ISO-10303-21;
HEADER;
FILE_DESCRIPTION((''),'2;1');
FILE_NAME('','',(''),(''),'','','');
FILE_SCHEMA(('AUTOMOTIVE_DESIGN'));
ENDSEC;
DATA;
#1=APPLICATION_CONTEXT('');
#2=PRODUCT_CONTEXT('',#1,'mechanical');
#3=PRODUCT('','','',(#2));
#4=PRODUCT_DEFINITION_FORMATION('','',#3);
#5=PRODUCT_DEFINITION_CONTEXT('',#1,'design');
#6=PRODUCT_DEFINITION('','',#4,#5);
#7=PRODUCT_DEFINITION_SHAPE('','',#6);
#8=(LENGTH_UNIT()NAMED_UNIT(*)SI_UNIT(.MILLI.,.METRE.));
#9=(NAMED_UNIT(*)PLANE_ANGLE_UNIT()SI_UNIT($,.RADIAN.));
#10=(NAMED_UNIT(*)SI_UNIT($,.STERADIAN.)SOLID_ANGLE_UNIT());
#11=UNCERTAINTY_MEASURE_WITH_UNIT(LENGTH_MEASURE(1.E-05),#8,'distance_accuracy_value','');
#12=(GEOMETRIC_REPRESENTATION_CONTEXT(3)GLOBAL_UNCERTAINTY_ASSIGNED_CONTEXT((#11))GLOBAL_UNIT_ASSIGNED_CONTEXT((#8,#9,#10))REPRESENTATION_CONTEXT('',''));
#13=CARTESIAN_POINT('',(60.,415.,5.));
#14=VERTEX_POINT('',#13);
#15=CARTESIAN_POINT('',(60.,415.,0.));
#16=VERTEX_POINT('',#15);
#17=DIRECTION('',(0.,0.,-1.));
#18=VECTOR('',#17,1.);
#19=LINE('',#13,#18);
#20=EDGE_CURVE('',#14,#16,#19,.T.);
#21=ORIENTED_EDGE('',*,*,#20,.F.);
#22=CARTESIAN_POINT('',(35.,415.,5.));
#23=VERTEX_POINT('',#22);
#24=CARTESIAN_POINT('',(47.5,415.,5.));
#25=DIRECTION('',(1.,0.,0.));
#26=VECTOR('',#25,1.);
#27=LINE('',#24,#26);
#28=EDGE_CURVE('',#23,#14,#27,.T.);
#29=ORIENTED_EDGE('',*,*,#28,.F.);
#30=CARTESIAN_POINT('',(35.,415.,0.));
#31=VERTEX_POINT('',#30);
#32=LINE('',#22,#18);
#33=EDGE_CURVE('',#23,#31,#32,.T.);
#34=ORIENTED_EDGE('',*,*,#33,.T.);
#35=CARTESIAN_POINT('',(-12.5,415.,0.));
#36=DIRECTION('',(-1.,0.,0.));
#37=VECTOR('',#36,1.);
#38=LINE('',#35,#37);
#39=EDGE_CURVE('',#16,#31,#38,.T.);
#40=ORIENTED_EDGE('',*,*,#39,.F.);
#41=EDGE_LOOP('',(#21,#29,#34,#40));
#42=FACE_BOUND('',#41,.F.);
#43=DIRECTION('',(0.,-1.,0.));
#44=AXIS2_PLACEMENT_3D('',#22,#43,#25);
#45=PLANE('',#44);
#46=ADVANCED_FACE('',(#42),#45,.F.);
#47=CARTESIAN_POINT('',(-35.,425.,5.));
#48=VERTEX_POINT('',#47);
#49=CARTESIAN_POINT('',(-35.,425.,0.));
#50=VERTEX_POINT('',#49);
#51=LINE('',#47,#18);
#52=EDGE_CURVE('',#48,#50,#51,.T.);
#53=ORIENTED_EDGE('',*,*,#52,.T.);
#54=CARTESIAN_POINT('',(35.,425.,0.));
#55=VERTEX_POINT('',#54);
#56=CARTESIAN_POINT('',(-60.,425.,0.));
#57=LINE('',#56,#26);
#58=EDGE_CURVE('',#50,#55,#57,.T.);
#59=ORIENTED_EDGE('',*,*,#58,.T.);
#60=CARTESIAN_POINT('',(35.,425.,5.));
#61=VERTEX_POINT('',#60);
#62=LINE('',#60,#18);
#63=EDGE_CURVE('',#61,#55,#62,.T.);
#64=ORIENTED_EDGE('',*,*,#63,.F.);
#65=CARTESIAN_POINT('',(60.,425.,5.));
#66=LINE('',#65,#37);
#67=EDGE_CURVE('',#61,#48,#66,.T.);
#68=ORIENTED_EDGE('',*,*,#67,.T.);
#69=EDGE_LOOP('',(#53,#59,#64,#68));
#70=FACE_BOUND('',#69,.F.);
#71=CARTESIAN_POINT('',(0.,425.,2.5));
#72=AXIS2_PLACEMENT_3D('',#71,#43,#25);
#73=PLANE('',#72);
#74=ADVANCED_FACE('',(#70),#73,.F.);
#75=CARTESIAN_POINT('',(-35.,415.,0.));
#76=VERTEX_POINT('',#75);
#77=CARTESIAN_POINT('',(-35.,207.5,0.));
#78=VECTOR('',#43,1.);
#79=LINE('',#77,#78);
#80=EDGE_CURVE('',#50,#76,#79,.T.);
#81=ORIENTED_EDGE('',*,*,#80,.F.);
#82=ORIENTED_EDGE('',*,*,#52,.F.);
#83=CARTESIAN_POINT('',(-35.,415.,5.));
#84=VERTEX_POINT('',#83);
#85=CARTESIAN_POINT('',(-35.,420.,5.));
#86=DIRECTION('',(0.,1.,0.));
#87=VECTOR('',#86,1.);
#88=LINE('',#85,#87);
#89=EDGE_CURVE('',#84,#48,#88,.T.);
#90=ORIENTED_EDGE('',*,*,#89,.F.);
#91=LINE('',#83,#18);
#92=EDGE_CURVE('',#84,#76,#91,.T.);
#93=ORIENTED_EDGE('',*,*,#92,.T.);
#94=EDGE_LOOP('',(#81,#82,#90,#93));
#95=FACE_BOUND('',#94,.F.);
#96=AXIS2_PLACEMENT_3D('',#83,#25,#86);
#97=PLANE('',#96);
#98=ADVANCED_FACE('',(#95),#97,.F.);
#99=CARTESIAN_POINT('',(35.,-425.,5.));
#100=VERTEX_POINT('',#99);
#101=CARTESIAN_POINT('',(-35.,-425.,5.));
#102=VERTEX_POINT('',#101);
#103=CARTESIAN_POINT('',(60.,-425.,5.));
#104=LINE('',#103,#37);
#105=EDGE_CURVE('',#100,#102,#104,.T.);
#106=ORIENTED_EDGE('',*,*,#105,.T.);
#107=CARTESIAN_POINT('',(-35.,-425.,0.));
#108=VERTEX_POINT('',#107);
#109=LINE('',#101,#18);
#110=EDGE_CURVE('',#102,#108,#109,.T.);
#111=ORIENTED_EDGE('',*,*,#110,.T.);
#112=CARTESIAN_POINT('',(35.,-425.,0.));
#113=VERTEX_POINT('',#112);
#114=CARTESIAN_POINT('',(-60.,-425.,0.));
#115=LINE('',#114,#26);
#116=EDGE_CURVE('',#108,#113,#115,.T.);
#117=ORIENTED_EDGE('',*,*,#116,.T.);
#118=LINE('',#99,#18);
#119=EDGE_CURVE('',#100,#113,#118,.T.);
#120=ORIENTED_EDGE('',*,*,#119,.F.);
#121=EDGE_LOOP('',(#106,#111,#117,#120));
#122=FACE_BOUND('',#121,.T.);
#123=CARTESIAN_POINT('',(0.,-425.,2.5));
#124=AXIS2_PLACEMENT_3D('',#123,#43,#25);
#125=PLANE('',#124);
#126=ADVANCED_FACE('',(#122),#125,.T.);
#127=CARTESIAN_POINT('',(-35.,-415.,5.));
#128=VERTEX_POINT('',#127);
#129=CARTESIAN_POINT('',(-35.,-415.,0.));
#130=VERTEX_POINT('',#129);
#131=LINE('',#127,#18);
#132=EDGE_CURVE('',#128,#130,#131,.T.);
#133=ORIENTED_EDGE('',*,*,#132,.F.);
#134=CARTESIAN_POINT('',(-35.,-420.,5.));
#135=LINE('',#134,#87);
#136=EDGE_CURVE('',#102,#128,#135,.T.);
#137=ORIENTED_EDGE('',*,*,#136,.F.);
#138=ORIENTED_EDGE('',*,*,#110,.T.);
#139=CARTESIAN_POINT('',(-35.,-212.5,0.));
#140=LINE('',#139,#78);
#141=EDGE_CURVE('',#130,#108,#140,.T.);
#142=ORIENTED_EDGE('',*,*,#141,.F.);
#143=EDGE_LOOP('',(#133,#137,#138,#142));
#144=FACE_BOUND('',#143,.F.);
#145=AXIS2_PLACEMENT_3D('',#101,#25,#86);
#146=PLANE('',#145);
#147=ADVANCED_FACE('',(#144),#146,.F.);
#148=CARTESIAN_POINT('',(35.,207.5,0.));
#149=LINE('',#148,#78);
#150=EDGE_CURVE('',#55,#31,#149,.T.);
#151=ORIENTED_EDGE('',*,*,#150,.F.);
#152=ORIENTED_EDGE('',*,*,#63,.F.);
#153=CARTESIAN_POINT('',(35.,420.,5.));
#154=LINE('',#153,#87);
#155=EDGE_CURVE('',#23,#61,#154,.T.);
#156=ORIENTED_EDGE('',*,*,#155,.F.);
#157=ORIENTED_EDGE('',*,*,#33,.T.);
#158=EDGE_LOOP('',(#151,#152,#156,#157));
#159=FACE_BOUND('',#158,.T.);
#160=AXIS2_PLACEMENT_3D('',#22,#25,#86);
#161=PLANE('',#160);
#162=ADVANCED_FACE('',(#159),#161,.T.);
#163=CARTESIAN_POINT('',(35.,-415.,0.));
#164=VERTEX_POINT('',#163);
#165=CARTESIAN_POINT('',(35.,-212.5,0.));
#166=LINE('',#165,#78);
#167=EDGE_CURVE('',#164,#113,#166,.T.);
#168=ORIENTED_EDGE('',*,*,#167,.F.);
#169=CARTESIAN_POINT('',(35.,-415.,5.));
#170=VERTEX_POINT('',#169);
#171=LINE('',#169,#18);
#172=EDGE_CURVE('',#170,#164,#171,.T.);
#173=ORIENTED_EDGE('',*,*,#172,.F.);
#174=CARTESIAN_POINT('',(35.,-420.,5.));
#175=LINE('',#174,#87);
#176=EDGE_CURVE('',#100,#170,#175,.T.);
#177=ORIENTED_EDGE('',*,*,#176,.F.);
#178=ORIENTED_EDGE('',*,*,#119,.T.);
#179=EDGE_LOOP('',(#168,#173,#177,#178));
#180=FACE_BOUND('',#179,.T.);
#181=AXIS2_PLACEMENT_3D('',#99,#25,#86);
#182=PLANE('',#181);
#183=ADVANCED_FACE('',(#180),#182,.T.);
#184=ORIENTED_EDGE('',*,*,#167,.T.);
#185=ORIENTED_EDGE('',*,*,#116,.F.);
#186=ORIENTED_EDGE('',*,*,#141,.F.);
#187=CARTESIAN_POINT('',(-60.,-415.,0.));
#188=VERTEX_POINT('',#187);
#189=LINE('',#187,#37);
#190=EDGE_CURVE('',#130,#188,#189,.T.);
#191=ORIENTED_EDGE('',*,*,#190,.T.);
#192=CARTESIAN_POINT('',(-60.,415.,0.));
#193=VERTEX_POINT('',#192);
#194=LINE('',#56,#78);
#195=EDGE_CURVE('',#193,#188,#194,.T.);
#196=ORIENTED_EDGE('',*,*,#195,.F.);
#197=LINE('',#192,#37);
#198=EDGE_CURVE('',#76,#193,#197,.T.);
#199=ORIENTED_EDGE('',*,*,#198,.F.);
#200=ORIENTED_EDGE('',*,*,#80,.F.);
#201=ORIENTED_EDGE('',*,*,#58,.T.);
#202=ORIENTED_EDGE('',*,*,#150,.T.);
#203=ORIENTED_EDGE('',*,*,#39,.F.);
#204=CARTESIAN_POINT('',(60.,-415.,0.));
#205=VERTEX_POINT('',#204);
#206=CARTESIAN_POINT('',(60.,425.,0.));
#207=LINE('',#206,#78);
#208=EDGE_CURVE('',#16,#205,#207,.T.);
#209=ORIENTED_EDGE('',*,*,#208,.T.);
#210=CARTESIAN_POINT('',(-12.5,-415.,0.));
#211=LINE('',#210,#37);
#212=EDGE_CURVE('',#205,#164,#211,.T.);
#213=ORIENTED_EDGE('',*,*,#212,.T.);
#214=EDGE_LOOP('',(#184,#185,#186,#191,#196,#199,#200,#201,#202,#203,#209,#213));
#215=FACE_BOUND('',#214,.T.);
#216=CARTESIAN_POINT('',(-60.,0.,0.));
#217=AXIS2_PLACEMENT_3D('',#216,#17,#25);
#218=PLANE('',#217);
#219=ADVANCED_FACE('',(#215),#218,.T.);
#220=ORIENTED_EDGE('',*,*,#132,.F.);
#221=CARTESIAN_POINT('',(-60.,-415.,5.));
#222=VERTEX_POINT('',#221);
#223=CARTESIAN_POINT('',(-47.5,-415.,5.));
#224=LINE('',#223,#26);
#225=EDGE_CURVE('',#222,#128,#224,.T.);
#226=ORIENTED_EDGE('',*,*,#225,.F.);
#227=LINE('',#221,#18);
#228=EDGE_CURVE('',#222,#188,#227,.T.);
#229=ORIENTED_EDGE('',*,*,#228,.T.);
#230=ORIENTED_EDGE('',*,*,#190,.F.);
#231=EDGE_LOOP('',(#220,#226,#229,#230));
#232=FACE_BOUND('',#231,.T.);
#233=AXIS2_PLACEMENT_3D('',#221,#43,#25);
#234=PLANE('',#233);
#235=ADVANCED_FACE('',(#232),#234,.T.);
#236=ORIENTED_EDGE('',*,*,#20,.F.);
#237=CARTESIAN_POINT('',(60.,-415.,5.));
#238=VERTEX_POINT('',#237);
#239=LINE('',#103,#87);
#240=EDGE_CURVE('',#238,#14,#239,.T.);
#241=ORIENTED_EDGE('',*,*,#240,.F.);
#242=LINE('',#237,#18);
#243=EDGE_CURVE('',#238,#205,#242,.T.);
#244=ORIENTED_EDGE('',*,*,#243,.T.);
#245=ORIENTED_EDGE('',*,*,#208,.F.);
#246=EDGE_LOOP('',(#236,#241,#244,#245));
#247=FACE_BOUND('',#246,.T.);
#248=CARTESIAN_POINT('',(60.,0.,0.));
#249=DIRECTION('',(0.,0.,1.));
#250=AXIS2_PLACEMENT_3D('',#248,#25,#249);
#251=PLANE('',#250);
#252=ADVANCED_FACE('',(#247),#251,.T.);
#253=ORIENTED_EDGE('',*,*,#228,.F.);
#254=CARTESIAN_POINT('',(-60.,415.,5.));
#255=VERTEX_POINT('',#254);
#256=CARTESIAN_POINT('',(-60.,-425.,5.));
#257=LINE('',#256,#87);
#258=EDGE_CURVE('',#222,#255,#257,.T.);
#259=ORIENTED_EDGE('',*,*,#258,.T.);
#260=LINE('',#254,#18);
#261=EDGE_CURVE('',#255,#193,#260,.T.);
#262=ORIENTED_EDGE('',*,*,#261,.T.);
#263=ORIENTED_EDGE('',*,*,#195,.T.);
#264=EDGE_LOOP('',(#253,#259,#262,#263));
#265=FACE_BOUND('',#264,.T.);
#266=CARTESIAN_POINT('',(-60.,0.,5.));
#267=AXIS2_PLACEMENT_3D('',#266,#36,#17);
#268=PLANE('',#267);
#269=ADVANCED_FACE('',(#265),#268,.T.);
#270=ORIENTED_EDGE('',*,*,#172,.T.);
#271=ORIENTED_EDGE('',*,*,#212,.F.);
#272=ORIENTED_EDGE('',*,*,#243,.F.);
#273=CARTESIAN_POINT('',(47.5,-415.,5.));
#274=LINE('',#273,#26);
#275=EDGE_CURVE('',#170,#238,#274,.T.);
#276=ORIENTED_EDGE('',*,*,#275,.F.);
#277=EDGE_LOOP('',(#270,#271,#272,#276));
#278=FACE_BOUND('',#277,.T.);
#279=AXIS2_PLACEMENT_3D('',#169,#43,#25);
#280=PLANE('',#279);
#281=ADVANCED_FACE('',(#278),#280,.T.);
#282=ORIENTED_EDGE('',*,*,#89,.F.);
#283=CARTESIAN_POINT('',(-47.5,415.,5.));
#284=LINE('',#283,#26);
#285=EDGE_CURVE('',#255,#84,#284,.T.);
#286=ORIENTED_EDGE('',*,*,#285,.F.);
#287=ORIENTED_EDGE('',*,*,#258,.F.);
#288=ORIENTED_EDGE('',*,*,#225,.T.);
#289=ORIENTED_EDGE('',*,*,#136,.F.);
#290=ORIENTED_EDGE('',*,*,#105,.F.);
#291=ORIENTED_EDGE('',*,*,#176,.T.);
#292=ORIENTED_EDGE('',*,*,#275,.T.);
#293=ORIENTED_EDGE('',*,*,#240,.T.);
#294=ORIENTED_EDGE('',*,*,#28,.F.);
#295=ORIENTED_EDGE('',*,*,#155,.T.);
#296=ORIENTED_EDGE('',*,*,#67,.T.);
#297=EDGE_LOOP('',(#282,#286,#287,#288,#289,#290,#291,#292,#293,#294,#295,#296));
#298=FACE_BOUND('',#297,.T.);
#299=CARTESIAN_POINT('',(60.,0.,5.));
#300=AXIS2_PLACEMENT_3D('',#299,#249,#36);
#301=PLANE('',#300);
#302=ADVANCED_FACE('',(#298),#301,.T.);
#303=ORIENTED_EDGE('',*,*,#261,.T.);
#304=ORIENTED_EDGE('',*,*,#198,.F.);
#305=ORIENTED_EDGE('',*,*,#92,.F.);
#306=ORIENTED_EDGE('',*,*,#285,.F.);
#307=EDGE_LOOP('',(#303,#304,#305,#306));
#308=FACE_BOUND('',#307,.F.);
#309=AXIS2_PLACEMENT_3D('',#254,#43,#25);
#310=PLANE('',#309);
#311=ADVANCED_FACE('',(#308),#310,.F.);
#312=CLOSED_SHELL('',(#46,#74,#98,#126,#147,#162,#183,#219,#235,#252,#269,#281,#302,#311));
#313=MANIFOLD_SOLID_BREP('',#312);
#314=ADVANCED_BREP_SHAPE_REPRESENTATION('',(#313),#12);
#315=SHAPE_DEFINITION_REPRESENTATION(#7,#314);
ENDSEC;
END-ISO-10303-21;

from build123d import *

# Parameters (mm, degrees)
F1_DEPTH = 425
F2_W     = 25
F2_H     = 10
F3_DEPTH = 5.001


with BuildPart() as f1:
    # F0 (on Front) → F1 (new body, symmetric)
    with BuildSketch(Plane.XZ):
        Polygon((-60, 5), (-60, 0), (0, 0), (60, 0), (60, 5), (0, 5), align=None)
    extrude(amount=F1_DEPTH, both=True)

    # F2 (on face) → F3 (cut, through all)
    with BuildSketch(Plane.XY.offset(5)):
        with Locations((47.5, -420)):
            Rectangle(F2_W, F2_H)
        with Locations((-47.5, -420)):
            Rectangle(F2_W, F2_H)
        with Locations((-47.5, 420)):
            Rectangle(F2_W, F2_H)
        with Locations((47.5, 420)):
            Rectangle(F2_W, F2_H)
    extrude(amount=-F3_DEPTH, mode=Mode.SUBTRACT)


solid = f1.part
